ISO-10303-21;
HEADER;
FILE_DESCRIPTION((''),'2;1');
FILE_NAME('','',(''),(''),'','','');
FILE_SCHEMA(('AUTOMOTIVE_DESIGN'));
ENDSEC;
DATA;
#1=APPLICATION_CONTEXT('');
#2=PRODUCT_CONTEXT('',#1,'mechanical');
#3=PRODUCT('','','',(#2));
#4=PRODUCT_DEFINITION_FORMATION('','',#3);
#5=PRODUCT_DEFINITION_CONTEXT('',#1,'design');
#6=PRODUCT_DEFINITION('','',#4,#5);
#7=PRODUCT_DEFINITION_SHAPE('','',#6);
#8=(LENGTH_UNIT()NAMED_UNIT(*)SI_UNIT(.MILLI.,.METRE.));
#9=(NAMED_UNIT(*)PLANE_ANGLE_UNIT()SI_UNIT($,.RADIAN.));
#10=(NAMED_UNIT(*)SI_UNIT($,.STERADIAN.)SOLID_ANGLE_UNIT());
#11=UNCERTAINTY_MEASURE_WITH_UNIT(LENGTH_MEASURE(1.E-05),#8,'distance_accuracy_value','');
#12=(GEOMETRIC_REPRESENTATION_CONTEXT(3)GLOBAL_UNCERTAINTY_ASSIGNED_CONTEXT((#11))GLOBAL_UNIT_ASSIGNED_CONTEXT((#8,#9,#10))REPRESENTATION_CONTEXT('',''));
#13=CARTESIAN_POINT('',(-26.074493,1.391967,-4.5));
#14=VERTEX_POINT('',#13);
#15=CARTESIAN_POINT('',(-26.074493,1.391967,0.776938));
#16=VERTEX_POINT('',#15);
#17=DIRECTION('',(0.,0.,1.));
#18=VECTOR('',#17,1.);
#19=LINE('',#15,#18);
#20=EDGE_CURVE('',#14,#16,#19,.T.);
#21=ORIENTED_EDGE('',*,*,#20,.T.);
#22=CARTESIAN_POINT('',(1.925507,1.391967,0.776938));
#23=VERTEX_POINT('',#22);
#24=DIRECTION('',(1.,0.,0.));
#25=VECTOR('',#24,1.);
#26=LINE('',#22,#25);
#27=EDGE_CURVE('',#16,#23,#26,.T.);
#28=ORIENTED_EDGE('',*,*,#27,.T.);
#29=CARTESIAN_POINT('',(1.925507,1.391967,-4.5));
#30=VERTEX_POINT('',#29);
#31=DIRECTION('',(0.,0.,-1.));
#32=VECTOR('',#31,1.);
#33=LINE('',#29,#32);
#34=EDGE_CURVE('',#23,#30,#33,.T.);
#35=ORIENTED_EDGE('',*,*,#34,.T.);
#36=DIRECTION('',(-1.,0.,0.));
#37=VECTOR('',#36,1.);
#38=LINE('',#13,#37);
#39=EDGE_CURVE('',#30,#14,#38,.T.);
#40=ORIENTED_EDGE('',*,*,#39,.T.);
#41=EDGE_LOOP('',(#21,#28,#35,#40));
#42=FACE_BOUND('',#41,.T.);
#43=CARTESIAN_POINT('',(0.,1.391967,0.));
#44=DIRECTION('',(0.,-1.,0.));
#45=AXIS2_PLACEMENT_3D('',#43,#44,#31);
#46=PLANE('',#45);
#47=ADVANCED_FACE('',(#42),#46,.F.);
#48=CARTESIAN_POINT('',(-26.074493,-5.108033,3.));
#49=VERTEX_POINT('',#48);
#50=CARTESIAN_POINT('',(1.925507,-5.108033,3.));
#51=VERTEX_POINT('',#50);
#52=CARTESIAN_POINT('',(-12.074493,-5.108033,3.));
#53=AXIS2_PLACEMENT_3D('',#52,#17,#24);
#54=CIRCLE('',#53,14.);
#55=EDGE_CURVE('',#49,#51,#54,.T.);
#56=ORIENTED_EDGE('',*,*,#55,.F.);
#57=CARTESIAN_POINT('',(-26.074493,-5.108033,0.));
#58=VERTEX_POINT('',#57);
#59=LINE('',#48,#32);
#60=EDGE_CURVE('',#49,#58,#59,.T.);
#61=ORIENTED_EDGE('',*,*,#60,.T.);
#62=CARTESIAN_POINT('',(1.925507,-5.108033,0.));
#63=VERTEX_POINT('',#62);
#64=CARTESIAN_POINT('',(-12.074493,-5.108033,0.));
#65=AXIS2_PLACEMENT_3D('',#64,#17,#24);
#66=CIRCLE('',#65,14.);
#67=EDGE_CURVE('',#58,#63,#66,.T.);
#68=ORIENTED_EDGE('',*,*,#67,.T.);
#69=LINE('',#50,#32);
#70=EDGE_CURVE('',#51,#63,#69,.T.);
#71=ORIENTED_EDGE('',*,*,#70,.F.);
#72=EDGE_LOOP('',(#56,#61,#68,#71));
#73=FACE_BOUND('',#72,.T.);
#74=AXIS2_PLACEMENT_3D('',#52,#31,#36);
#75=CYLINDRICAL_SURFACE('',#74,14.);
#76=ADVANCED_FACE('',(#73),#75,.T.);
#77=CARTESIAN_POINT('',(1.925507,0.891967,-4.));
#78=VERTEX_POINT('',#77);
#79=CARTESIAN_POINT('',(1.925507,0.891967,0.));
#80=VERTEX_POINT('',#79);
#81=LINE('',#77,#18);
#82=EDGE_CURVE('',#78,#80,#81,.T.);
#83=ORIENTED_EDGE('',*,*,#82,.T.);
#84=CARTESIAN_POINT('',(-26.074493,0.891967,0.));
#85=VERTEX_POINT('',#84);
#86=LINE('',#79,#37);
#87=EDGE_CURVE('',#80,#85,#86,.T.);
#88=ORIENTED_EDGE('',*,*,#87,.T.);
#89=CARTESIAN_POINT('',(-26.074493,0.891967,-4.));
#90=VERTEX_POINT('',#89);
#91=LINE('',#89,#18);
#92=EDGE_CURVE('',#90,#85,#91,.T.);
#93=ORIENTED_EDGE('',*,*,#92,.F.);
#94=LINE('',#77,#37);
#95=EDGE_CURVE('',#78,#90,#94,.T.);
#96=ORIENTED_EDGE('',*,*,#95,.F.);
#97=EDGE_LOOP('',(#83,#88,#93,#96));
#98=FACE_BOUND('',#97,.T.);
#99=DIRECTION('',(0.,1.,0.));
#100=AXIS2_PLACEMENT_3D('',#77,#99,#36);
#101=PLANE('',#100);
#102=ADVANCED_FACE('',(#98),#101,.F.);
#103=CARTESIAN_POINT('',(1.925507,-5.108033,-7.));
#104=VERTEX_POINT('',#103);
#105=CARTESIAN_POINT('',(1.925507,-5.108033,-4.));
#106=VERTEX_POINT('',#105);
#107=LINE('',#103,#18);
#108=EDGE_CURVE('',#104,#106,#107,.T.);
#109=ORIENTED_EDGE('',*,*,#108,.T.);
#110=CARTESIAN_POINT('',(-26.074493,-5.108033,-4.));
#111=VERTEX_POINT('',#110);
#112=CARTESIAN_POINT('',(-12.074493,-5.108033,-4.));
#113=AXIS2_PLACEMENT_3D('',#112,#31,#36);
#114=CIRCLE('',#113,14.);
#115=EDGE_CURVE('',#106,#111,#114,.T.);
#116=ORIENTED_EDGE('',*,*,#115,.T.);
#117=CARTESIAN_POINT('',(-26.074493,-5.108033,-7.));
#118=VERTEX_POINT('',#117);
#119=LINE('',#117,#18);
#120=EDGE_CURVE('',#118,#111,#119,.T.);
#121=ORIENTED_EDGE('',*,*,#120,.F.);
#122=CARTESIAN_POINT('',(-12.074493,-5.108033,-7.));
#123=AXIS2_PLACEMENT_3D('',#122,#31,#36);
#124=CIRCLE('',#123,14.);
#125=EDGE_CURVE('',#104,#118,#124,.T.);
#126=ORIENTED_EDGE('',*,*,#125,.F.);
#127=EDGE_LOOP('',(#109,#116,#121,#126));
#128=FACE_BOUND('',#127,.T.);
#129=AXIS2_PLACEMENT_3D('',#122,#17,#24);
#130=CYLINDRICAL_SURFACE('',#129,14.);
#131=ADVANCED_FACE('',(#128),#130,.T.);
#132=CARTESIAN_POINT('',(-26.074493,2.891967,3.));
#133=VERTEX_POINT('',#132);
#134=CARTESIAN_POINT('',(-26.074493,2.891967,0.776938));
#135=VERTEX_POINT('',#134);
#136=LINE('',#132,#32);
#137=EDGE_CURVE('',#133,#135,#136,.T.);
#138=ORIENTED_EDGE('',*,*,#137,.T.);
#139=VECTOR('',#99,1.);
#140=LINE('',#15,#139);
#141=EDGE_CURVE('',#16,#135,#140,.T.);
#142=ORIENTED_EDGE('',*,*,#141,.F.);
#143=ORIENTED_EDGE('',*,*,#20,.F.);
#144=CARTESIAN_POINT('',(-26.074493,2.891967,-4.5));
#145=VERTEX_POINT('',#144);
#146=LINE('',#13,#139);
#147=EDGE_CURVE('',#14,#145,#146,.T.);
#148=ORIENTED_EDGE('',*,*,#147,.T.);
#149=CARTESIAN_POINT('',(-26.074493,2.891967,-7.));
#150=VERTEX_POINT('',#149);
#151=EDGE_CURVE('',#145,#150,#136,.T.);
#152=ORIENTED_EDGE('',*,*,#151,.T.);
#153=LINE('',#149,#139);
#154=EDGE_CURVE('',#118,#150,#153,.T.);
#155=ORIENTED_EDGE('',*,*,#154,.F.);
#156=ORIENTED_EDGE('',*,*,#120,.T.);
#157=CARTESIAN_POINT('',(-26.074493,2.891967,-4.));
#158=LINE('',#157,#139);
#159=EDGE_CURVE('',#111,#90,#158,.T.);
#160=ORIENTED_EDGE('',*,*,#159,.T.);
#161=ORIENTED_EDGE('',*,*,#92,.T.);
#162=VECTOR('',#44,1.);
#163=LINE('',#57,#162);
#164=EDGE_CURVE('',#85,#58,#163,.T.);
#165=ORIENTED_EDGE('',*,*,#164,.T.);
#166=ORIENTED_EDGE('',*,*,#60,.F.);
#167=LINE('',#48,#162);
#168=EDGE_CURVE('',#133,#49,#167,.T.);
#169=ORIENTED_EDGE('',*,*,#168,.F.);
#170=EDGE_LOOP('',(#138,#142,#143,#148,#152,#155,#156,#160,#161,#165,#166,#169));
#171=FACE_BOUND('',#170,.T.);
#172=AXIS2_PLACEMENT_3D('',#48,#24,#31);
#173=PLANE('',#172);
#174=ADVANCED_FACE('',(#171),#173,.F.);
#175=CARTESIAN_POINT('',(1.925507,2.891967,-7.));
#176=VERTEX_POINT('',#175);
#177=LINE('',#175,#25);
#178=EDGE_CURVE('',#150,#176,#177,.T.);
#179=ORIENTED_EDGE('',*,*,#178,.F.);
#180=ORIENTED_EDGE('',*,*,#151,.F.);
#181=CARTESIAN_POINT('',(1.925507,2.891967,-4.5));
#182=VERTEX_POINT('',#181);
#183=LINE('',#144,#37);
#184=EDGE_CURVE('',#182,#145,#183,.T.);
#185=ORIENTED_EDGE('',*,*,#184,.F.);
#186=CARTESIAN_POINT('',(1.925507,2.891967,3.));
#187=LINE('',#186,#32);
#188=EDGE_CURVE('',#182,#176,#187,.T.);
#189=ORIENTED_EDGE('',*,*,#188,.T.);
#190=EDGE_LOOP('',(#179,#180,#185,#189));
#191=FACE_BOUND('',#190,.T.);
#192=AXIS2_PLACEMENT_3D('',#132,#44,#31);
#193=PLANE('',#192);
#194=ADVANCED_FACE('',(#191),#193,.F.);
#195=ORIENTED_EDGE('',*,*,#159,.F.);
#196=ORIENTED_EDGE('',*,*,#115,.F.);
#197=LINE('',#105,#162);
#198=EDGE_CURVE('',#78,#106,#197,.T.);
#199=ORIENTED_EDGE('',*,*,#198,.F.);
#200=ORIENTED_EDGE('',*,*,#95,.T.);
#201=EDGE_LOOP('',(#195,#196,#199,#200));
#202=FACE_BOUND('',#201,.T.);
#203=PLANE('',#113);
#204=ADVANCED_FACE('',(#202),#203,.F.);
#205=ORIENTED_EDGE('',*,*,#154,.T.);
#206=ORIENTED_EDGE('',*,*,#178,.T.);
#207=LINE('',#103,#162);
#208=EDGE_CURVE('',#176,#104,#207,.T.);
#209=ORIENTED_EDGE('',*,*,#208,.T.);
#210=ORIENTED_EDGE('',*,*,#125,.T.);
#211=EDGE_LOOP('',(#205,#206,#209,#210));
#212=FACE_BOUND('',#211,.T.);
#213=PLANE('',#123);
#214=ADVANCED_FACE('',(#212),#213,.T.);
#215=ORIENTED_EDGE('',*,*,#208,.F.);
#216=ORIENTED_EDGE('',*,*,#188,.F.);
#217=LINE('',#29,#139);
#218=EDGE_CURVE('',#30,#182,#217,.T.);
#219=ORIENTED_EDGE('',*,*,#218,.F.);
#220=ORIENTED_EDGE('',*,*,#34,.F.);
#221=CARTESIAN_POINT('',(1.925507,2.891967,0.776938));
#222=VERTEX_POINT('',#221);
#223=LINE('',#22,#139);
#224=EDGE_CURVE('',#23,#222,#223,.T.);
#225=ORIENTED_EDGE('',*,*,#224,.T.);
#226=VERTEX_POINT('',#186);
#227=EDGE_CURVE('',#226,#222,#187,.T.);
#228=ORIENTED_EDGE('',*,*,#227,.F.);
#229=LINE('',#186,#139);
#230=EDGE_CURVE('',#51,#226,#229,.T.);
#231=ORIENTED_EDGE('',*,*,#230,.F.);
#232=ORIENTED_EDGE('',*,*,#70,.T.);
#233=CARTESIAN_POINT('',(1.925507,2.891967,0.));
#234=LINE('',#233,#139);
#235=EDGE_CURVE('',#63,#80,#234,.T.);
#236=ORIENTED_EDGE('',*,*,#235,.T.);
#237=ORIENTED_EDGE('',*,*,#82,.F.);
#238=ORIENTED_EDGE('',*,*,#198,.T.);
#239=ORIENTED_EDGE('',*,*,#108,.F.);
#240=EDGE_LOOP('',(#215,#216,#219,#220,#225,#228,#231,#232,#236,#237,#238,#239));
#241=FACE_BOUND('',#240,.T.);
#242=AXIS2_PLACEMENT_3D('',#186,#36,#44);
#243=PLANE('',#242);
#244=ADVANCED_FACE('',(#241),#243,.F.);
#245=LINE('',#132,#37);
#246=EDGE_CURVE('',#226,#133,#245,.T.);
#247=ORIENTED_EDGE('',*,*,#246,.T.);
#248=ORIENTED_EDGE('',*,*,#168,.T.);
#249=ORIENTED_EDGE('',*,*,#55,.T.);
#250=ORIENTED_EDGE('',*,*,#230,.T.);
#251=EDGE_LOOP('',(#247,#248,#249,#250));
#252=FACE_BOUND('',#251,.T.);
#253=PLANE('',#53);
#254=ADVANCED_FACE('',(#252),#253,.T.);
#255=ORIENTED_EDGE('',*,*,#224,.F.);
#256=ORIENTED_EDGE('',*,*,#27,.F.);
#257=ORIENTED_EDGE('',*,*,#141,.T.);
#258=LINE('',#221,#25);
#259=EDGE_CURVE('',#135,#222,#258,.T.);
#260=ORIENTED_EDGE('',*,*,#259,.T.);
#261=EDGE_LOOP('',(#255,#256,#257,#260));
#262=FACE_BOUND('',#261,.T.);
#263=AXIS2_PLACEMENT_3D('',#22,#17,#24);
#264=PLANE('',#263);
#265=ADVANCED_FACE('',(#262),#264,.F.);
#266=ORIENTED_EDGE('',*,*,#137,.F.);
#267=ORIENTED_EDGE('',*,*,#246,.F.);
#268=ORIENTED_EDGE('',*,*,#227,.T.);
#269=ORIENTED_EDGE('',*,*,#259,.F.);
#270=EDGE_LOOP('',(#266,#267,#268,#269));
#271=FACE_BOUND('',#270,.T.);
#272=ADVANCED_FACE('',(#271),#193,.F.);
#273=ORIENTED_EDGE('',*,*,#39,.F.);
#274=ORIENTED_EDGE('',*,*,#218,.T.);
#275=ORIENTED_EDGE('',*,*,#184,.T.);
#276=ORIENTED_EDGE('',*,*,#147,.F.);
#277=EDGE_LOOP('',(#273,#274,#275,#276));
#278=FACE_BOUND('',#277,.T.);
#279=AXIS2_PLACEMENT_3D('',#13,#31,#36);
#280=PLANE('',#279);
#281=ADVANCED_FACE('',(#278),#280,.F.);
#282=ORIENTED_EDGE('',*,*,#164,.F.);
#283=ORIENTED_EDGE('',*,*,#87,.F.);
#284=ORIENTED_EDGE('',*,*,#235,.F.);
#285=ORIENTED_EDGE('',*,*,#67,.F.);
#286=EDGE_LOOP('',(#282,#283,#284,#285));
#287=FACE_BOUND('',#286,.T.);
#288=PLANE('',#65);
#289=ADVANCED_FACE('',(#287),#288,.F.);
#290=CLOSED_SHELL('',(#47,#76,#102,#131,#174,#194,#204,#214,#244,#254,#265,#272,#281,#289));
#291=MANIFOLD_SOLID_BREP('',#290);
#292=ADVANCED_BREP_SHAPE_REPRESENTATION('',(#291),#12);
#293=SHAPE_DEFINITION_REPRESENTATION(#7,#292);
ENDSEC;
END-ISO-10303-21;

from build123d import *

# Parameters (mm, degrees)
BOSS_EXTRUDE1_DEPTH = 3
SKETCH2_W           = 28
SKETCH2_H           = 2
BOSS_EXTRUDE2_DEPTH = 4
BOSS_EXTRUDE3_START = 3
BOSS_EXTRUDE3_DEPTH = 3
SKETCH4_W           = 28
SKETCH4_H           = 5.276937717
CUT_EXTRUDE1_DEPTH  = 1.5


with BuildPart() as part:
    # Sketch1 → Boss-Extrude1 (new body)
    with BuildSketch(Plane.XY):
        with BuildLine():
            Line((-26.074492775, 2.891966759), (1.925507225, 2.891966759))
            Line((1.925507225, 2.891966759), (1.925507225, -5.108033241))
            ThreePointArc((1.925507225, -5.108033241), (-12.074492775, -19.108033241), (-26.074492775, -5.108033241))
            Line((-26.074492775, -5.108033241), (-26.074492775, 2.891966759))
        make_face()
    extrude(amount=BOSS_EXTRUDE1_DEPTH)

    # Sketch2 → Boss-Extrude2 (add)
    with BuildSketch(Plane(origin=(0, 0, 0), x_dir=(-1, 0, 0), z_dir=(0, 0, -1))):
        with Locations((12.074492775, 1.891966759)):
            Rectangle(SKETCH2_W, SKETCH2_H)
    extrude(amount=BOSS_EXTRUDE2_DEPTH)

    # Sketch3 → Boss-Extrude3 (add)
    with BuildSketch(Plane(origin=(0, 0, -4), x_dir=(-1, 0, 0), z_dir=(0, 0, -1)).offset(BOSS_EXTRUDE3_START)):
        with BuildLine():
            Line((-1.925507225, 2.891966759), (26.074492775, 2.891966759))
            Line((26.074492775, 2.891966759), (26.074492775, -5.108033241))
            ThreePointArc((26.074492775, -5.108033241), (12.074492775, -19.108033241), (-1.925507225, -5.108033241))
            Line((-1.925507225, -5.108033241), (-1.925507225, 2.891966759))
        make_face()
    extrude(amount=-BOSS_EXTRUDE3_DEPTH)

    # Sketch4 → Cut-Extrude1 (cut)
    with BuildSketch(Plane(origin=(0, 2.891966759, 0), x_dir=(1, 0, 0), z_dir=(0, 1, 0))):
        with Locations((-12.074492775, 1.861531141)):
            Rectangle(SKETCH4_W, SKETCH4_H)
    extrude(amount=-CUT_EXTRUDE1_DEPTH, mode=Mode.SUBTRACT)


solid = part.part
